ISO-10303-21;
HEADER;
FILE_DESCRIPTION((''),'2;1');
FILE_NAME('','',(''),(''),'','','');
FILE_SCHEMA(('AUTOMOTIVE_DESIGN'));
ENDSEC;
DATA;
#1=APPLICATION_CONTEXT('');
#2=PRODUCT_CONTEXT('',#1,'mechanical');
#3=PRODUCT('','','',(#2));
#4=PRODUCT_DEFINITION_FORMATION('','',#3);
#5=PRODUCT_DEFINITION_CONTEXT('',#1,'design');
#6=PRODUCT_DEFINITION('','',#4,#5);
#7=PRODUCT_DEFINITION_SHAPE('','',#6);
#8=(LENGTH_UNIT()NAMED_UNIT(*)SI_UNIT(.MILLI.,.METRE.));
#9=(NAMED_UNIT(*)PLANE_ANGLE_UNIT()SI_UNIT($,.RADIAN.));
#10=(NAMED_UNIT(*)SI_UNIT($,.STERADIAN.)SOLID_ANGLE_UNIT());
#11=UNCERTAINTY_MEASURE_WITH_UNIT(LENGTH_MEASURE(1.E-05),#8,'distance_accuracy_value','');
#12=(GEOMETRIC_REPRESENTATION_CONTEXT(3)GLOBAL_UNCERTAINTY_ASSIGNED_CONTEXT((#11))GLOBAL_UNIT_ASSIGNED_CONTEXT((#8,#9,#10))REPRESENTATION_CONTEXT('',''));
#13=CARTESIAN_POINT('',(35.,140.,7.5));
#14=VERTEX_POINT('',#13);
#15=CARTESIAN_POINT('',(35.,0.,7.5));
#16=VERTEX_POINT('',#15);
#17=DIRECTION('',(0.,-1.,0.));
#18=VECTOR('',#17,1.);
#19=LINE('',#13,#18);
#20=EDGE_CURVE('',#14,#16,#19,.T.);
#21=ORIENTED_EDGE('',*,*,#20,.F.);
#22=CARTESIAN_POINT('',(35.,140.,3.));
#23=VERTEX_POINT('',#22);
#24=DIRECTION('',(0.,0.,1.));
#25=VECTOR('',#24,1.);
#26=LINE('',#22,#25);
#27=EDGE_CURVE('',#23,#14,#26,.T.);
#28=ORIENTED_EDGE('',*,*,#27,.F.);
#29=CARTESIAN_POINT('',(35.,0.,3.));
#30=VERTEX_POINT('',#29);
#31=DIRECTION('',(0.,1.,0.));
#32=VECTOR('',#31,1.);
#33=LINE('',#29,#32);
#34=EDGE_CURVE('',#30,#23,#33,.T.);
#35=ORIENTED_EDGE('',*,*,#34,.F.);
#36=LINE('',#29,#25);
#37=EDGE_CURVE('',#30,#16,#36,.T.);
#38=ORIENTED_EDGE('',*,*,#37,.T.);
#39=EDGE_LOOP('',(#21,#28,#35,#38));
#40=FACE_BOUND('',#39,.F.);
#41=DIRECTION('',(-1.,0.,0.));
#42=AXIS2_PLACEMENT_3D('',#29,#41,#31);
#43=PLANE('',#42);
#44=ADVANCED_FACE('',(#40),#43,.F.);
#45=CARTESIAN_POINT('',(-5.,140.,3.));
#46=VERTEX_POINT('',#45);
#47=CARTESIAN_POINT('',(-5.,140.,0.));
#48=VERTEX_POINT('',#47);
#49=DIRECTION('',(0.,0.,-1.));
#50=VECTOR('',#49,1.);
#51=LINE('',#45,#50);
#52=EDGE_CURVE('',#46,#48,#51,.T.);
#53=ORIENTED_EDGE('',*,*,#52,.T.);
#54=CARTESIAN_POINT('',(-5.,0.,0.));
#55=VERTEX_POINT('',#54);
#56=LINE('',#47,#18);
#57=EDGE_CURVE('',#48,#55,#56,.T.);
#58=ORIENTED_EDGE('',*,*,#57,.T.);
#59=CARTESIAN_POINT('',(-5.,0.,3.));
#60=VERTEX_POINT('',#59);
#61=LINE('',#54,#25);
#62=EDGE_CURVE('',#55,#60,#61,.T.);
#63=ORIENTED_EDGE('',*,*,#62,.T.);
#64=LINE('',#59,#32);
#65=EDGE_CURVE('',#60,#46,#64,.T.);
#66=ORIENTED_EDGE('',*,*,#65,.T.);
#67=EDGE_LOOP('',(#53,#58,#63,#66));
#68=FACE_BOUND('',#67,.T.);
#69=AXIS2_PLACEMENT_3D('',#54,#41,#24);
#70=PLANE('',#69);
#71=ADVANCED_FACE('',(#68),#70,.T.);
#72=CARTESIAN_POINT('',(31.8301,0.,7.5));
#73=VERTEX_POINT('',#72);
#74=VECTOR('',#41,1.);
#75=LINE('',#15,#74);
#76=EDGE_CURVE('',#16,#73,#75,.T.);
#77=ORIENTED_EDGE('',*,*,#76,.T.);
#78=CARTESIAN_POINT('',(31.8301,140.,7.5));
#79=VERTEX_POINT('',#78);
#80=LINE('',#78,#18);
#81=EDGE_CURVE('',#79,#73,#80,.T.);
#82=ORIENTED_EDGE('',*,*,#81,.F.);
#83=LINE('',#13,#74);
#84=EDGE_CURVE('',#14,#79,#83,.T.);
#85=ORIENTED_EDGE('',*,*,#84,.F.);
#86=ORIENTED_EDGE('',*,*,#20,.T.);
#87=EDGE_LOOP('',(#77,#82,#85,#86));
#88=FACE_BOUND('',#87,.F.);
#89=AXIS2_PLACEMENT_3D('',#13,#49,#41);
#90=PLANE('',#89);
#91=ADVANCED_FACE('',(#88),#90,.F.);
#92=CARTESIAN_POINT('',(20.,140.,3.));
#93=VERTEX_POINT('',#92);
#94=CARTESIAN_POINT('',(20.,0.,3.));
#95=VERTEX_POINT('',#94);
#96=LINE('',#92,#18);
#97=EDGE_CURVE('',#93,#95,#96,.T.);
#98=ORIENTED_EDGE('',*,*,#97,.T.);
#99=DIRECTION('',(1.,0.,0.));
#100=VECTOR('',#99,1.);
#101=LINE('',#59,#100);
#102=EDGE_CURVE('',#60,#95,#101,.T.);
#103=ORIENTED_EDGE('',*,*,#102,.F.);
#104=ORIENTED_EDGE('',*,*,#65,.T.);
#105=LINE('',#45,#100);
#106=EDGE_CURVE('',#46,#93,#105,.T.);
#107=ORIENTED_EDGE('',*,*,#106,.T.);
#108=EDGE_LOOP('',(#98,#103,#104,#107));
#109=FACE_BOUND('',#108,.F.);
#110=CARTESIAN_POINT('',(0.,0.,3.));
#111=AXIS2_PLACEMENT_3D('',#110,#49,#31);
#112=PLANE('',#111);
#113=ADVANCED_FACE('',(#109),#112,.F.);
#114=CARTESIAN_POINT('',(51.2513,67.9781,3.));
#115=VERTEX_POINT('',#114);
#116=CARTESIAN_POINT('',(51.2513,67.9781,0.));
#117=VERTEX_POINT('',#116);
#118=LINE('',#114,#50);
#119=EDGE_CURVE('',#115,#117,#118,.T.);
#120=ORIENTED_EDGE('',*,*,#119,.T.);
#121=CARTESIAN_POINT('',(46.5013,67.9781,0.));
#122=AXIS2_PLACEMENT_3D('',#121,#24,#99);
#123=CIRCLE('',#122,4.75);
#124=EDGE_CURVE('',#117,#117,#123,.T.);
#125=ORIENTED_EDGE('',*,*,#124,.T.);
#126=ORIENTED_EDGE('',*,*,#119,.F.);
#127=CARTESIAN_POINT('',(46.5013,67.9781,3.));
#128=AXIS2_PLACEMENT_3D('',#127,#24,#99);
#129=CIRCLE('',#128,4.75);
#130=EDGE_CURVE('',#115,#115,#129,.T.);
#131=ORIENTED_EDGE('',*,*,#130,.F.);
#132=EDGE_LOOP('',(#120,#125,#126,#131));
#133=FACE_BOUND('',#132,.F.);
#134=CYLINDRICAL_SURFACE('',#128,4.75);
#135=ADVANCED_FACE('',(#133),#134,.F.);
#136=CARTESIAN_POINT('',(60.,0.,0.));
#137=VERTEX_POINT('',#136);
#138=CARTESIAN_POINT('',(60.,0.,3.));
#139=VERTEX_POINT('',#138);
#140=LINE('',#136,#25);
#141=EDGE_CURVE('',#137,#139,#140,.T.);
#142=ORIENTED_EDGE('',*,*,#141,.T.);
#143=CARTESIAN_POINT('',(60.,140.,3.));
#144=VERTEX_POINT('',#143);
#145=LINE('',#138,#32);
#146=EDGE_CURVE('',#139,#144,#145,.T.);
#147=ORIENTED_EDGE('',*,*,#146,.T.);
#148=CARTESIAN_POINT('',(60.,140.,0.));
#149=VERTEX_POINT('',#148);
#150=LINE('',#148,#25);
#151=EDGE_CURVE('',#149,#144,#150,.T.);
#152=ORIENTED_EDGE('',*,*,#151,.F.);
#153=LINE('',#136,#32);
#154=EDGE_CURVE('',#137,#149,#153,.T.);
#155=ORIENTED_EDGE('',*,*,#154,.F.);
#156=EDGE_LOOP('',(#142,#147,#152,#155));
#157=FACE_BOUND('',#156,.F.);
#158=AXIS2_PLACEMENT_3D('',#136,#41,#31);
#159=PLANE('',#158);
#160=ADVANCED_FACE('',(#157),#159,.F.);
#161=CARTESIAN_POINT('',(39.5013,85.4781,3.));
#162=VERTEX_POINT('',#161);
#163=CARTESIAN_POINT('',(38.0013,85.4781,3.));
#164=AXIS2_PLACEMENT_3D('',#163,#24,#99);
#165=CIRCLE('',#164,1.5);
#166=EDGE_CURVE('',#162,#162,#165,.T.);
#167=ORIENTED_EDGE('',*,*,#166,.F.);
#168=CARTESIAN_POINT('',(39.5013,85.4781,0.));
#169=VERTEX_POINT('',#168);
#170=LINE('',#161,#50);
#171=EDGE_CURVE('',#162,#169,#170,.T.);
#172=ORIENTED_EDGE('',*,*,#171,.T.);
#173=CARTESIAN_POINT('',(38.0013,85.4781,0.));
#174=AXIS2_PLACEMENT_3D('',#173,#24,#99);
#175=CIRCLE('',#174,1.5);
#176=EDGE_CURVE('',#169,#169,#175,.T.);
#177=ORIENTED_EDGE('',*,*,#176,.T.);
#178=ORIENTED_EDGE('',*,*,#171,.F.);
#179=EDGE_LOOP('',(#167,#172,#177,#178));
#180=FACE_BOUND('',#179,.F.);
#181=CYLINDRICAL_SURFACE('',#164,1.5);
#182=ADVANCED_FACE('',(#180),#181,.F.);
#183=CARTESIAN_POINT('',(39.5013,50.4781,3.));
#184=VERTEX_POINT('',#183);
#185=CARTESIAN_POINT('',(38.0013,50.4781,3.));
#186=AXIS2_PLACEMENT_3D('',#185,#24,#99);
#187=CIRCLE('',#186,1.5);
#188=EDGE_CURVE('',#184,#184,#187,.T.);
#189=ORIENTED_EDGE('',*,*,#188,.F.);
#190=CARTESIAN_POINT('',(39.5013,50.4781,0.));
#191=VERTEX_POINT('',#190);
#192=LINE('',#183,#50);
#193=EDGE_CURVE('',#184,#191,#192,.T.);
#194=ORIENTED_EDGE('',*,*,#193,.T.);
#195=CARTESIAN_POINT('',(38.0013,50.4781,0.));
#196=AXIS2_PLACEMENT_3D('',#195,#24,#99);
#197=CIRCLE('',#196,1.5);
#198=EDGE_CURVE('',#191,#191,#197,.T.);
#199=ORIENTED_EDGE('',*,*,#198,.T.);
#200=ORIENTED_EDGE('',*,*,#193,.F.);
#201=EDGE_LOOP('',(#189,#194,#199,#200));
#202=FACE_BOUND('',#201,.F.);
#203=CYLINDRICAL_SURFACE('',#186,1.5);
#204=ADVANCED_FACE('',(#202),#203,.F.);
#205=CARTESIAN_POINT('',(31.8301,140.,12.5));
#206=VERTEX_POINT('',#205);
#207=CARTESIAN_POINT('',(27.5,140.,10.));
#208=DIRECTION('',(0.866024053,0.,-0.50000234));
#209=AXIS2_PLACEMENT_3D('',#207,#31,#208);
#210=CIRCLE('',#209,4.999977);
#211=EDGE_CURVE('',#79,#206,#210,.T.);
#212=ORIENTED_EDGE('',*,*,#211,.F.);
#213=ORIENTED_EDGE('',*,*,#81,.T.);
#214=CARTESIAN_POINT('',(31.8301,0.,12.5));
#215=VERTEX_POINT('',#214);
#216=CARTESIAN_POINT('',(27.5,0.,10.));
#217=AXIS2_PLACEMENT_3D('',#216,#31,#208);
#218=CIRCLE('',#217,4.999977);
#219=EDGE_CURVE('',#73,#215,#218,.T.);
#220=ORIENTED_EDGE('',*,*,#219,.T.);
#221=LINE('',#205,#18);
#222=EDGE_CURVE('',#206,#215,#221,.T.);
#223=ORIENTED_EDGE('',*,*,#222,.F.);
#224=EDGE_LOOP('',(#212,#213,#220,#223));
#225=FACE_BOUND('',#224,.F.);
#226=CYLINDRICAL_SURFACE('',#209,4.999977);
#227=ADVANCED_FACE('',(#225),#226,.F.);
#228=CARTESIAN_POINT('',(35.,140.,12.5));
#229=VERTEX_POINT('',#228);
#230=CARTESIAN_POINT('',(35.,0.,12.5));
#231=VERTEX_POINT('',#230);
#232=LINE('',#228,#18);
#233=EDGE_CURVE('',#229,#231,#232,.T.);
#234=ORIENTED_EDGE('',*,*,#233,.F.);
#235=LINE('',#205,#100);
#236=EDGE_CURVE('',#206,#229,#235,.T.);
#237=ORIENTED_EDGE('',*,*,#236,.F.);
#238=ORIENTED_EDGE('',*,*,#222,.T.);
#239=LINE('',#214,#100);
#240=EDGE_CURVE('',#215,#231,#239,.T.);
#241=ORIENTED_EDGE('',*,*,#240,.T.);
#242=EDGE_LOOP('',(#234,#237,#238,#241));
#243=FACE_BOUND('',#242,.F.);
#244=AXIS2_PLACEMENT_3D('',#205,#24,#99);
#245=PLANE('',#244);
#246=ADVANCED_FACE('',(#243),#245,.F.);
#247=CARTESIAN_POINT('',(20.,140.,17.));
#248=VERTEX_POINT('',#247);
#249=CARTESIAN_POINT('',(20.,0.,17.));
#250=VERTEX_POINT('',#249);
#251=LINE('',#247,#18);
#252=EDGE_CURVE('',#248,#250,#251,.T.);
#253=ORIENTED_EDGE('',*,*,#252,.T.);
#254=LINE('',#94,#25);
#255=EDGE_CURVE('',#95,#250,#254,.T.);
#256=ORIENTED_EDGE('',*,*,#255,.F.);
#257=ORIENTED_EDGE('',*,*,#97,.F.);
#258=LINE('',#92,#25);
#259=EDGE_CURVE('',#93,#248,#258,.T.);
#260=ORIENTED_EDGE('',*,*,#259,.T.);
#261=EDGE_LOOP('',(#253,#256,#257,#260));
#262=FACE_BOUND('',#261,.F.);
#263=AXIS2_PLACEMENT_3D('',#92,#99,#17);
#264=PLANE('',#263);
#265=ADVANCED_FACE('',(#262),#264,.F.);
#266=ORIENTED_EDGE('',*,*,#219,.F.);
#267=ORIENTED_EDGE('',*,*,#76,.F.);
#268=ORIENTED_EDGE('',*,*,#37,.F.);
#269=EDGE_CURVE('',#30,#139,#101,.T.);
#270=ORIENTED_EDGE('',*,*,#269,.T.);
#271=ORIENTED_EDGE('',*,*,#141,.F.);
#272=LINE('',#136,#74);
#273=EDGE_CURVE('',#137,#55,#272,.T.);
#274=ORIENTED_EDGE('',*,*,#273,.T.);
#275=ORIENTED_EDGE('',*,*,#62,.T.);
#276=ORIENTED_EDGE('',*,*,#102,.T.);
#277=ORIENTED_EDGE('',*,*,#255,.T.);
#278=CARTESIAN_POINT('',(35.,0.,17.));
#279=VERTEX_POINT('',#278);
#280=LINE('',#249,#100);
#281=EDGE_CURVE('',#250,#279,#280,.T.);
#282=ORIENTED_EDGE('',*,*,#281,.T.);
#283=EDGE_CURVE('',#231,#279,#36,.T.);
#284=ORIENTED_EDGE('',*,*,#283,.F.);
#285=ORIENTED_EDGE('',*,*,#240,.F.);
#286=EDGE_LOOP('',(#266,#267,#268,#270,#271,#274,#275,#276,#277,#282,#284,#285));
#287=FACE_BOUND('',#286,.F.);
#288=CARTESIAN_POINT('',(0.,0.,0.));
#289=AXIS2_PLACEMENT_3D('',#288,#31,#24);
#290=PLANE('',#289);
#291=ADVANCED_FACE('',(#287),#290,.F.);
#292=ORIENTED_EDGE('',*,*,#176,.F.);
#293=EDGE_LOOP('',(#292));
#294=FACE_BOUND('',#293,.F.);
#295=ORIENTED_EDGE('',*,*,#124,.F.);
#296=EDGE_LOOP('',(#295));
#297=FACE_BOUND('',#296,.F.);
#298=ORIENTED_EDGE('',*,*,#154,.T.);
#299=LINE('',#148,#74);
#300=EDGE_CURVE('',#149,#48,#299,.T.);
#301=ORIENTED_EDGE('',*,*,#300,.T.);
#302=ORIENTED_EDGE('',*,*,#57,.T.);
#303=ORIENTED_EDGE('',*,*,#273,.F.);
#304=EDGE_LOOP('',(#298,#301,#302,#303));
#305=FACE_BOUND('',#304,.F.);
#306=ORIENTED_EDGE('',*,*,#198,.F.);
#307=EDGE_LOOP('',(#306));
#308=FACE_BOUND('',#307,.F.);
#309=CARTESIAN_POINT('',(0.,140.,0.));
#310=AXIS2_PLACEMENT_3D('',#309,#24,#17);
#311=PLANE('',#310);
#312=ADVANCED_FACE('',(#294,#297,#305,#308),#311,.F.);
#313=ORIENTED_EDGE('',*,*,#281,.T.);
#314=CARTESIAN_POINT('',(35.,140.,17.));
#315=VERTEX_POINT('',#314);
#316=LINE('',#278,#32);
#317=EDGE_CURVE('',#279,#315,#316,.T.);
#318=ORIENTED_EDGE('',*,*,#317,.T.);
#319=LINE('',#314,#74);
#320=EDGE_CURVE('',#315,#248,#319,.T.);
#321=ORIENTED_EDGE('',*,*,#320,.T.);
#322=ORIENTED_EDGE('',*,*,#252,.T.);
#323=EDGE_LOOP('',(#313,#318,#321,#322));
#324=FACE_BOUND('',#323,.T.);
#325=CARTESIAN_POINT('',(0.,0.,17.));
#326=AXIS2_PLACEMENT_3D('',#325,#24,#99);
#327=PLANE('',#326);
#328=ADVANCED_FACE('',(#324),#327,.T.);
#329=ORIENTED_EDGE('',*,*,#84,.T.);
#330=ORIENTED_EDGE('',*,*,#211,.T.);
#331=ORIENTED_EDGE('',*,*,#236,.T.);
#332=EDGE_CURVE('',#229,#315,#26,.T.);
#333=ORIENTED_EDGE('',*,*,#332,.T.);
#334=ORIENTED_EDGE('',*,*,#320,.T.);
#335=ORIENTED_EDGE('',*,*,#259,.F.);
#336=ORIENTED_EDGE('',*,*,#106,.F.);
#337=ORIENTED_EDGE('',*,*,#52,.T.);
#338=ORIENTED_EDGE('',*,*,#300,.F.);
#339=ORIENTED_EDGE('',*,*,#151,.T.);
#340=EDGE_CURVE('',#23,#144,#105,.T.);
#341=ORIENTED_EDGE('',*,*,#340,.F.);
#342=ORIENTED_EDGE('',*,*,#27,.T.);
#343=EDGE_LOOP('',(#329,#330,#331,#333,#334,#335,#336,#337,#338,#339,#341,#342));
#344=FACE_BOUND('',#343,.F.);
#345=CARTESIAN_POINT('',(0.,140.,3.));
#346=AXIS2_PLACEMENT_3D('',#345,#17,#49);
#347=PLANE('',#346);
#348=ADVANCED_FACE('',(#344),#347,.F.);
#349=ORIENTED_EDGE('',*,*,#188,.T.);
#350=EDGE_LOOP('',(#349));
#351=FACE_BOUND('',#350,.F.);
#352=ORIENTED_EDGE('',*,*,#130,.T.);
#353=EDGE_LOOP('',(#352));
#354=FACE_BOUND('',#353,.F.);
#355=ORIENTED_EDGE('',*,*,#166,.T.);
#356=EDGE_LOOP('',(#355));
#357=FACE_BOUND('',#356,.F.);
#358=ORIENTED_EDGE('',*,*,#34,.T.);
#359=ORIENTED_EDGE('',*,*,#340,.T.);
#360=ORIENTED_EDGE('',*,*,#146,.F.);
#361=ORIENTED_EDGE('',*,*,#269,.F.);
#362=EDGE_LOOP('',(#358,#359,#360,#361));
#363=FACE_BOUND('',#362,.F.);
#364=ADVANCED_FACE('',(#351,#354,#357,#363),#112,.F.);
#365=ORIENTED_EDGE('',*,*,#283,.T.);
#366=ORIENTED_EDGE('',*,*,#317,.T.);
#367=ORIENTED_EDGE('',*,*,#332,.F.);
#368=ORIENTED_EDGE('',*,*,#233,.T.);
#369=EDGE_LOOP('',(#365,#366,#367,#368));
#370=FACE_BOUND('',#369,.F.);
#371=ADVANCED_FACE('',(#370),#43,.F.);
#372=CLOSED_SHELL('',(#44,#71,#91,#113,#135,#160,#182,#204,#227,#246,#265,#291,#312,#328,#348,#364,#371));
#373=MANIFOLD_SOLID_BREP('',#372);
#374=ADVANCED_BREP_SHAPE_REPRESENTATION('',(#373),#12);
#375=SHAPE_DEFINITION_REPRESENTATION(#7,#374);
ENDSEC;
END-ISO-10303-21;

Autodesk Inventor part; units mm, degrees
ref_plane "YZ Plane" through (0, 0, 0) normal (1, 0, 0) x (0, 1, 0)
ref_plane "XZ Plane" through (0, 0, 0) normal (0, 1, 0) x (-1, 0, 0)
ref_plane "XY Plane" through (0, 0, 0) normal (0, 0, 1) x (1, 0, 0)
sketch "Sketch1" plane through (0, 0, 0) normal (0, 0, 1) x (1, 0, 0)
  line L0 (0, 0) -> (60, 0)
  line L1 (60, 0) -> (60, 140)
  line L2 (60, 140) -> (0, 140)
  line L3 (0, 140) -> (0, 0)
  dimension "d0" = 60
  dimension "d1" = 140
extrude "Extrusion1" add sketch "Sketch1" along normal blind 3
sketch "Sketch4" plane through (0, 0, 3) normal (0, 0, 1) x (1, 0, 0)
  point P0 (0, 0)
sketch "Sketch5" plane through (0, 0, 3) normal (0, 0, 1) x (1, 0, 0)
  circle A0 centre (38.0013, 85.4781) radius 1.5
  circle A1 centre (38.0013, 50.4781) radius 1.5
  line L0 (60, 0) -> (60, 140) projected
  circle A2 centre (46.5013, 67.9781) radius 4.75
  line L1 (60, 0) -> (60, 140) projected
  line L2 (60, 67.9781) -> (70, 67.9781) construction
  point P0 (0, 0)
  dimension "d11" = 3
extrude "Extrusion4" cut sketch "Sketch5" against normal blind 145
sketch "Sketch6" plane through (0, 0, 0) normal (-1, 0, 0) x (0, 0, 1)
  line L0 (0, 140) -> (0, 0) projected
  line L1 (3, 0) -> (3, 140) projected
  line L2 (0, 0) -> (3, 0)
  line L3 (3, 0) -> (3, 140)
  line L4 (3, 140) -> (0, 140)
  line L5 (0, 140) -> (0, 0)
extrude "Extrusion5" add sketch "Sketch6" along normal blind 5
sketch "Sketch7" plane through (60, 140, 3) normal (0, 1, 0) x (1, 0, 0)
  line L0 (-65, 0) -> (-65, 3) projected
  line L1 (-65, 3) -> (0, 3)
  line L2 (0, 3) -> (0, -17)
  line L3 (0, -17) -> (-65, -17)
  line L4 (-65, -17) -> (-65, 3)
  arc A0 (-28.1699, -4.5) -> (-28.1699, -9.5) centre (-32.5, -7) ccw
  line L5 (-25, -9.5) -> (-25, -4.5)
  line L6 (-40, -4.5) -> (-25, -9.5) construction
  line L7 (-40, -9.5) -> (-25, -4.5) construction
  line L8 (-28.1699, -9.5) -> (-25, -9.5)
  line L9 (-25, -4.5) -> (-28.1699, -4.5)
  point P0 (-60, 3)
  dimension "d18" = 65
  dimension "d19" = 20
sketch "Sketch8" plane through (0, 0, 3) normal (0, 0, 1) x (1, 0, 0)
  line L0 (35, 0) -> (35, 140)
  line L1 (35, 140) -> (20, 140)
  line L2 (20, 140) -> (20, 0)
  line L3 (20, 0) -> (35, 0)
  line L4 (35, 0) -> (20, 140) construction
  line L5 (35, 140) -> (20, 0) construction
  line L6 (60, 0) -> (60, 140) projected
  line L7 (35, 0) -> (175, 0) construction
  point P0 (0, 0)
  point P1 (27.5, 70)
  dimension "d21" = 140
  dimension "d22" = 90
  dimension "d23" = 15
extrude "Extrusion6" add sketch "Sketch8" along normal blind 14
extrude "Extrusion7" cut sketch "Sketch7" against normal blind 140 contours L9 L5 L8 A0
sketch "Sketch9" plane through (0, 0, 3) normal (0, 0, 1) x (1, 0, 0)
  point P0 (0, 0)
properties part number "Rack Base"
